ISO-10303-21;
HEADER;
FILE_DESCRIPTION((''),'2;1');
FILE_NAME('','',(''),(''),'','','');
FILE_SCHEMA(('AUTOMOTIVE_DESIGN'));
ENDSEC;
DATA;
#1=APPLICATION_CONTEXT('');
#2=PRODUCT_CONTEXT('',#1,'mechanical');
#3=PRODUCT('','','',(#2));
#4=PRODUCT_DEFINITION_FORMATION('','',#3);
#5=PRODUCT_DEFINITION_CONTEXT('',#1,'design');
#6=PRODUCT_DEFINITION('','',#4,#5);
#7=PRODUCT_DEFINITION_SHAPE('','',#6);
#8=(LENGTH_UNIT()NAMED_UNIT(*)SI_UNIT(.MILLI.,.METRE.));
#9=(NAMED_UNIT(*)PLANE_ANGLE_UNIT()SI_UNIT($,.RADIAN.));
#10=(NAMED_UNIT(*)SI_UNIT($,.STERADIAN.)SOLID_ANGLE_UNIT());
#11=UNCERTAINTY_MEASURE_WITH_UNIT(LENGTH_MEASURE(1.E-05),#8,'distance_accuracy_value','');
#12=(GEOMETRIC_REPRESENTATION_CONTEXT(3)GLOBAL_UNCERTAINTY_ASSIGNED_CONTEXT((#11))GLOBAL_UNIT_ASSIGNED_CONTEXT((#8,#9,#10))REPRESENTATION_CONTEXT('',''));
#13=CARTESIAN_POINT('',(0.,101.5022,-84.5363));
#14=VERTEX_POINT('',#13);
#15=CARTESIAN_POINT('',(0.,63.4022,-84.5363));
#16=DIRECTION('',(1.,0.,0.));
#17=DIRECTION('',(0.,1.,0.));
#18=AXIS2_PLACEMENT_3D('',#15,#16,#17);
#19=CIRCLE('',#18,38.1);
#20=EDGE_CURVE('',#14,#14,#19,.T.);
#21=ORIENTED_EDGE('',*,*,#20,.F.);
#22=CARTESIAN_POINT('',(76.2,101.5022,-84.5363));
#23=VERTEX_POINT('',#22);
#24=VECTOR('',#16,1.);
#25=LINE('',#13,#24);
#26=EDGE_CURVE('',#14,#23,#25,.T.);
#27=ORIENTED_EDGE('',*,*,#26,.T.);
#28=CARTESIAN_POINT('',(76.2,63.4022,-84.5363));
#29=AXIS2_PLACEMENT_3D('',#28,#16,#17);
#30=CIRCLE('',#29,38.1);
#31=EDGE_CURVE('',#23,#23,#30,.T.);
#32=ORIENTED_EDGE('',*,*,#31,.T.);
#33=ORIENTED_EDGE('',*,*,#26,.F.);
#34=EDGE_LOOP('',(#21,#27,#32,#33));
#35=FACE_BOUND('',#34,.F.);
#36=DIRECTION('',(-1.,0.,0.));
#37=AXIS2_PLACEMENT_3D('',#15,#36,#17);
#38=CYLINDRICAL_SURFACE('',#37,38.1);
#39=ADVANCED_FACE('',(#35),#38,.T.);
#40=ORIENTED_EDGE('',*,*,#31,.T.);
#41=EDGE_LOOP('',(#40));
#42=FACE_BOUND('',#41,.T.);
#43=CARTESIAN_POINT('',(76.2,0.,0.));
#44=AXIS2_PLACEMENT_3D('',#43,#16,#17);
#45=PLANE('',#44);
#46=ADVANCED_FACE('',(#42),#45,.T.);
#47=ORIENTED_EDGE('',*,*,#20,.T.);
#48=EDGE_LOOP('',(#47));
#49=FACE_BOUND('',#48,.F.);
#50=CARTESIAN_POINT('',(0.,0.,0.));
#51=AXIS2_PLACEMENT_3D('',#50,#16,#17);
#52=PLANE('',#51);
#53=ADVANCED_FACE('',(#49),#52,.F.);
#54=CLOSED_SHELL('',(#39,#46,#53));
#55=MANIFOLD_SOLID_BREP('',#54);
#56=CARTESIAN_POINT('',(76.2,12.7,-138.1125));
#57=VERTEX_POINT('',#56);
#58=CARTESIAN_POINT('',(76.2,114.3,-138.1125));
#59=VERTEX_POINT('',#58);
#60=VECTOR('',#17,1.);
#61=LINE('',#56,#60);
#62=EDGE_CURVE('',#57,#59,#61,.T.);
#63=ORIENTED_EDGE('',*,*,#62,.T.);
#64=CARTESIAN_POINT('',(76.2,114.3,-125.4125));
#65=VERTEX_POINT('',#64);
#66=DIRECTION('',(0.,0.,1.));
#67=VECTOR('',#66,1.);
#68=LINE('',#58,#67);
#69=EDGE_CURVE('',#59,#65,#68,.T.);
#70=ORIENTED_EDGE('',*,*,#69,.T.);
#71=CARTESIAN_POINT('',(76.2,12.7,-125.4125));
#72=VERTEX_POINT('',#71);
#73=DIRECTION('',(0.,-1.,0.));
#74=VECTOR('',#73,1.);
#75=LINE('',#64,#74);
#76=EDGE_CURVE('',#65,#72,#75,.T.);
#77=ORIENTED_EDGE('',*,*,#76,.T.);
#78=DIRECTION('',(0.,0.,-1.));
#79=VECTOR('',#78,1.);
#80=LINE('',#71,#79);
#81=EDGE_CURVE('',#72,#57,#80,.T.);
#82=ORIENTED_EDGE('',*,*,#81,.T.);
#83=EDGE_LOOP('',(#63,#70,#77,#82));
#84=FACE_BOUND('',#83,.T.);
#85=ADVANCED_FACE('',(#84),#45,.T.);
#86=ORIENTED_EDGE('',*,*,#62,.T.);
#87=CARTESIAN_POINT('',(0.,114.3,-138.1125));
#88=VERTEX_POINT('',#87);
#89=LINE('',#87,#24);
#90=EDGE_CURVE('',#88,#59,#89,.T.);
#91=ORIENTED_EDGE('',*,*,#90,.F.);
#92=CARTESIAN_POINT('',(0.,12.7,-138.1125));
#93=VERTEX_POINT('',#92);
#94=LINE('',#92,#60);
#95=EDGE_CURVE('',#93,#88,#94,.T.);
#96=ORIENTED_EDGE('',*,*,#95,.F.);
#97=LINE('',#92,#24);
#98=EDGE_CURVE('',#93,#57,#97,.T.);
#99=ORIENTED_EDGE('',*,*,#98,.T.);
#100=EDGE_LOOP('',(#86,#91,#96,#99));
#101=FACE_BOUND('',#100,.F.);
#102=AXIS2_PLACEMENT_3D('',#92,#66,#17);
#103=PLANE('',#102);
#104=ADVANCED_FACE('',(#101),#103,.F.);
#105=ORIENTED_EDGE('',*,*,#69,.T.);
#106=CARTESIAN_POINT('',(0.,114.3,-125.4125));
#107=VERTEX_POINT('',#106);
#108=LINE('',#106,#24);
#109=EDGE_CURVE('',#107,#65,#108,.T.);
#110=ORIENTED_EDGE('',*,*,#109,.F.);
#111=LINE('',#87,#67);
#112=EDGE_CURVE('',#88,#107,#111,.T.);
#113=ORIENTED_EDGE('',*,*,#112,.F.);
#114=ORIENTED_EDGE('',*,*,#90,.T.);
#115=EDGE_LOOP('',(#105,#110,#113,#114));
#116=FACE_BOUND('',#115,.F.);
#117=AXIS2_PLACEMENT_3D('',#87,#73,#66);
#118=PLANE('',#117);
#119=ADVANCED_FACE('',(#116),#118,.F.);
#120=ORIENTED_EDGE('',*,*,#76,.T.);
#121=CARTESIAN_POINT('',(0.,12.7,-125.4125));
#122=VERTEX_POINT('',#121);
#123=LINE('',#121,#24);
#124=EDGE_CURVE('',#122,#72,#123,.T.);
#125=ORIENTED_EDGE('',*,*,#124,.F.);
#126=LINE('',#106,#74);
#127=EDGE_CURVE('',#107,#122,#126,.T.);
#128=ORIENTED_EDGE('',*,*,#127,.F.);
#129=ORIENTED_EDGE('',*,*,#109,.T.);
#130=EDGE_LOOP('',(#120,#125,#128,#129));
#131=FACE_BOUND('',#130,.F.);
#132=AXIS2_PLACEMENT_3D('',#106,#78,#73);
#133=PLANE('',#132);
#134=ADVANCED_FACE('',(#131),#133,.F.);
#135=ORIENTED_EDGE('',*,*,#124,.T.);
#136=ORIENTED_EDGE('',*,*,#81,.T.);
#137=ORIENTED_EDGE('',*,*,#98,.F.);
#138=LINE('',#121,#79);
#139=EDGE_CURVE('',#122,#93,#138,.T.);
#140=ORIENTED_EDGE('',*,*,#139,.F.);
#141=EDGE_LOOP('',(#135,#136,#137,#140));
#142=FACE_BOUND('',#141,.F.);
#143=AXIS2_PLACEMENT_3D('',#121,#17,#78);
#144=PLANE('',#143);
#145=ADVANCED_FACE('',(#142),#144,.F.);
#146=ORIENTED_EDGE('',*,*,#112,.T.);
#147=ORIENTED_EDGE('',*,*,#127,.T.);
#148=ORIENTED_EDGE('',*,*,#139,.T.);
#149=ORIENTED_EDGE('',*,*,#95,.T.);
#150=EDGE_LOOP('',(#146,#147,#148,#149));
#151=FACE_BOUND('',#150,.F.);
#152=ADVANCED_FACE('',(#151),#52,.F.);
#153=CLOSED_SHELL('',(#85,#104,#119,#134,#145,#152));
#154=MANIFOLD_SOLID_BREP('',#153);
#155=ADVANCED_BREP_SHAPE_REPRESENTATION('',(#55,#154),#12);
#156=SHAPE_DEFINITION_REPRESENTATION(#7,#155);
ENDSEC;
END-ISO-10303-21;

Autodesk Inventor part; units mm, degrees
ref_plane "YZ Plane" through (0, 0, 0) normal (1, 0, 0) x (0, 1, 0)
ref_plane "XZ Plane" through (0, 0, 0) normal (0, 1, 0) x (-1, 0, 0)
ref_plane "XY Plane" through (0, 0, 0) normal (0, 0, 1) x (1, 0, 0)
sketch "Sketch1" plane through (0, 0, 0) normal (1, 0, 0) x (0, 1, 0)
  circle A0 centre (63.4022, -84.5363) radius 38.1
  line L0 (114.3, -125.4125) -> (12.7, -125.4125)
  line L1 (12.7, -125.4125) -> (12.7, -138.1125)
  line L2 (12.7, -138.1125) -> (114.3, -138.1125)
  line L3 (114.3, -138.1125) -> (114.3, -125.4125)
  point P0 (0, 0)
  dimension "d0" = 76.2
  dimension "d1" = 12.7
  dimension "d2" = 101.6
extrude "Extrusion1" add sketch "Sketch1" along normal blind 76.2
properties part number "cylinder and slapper"
